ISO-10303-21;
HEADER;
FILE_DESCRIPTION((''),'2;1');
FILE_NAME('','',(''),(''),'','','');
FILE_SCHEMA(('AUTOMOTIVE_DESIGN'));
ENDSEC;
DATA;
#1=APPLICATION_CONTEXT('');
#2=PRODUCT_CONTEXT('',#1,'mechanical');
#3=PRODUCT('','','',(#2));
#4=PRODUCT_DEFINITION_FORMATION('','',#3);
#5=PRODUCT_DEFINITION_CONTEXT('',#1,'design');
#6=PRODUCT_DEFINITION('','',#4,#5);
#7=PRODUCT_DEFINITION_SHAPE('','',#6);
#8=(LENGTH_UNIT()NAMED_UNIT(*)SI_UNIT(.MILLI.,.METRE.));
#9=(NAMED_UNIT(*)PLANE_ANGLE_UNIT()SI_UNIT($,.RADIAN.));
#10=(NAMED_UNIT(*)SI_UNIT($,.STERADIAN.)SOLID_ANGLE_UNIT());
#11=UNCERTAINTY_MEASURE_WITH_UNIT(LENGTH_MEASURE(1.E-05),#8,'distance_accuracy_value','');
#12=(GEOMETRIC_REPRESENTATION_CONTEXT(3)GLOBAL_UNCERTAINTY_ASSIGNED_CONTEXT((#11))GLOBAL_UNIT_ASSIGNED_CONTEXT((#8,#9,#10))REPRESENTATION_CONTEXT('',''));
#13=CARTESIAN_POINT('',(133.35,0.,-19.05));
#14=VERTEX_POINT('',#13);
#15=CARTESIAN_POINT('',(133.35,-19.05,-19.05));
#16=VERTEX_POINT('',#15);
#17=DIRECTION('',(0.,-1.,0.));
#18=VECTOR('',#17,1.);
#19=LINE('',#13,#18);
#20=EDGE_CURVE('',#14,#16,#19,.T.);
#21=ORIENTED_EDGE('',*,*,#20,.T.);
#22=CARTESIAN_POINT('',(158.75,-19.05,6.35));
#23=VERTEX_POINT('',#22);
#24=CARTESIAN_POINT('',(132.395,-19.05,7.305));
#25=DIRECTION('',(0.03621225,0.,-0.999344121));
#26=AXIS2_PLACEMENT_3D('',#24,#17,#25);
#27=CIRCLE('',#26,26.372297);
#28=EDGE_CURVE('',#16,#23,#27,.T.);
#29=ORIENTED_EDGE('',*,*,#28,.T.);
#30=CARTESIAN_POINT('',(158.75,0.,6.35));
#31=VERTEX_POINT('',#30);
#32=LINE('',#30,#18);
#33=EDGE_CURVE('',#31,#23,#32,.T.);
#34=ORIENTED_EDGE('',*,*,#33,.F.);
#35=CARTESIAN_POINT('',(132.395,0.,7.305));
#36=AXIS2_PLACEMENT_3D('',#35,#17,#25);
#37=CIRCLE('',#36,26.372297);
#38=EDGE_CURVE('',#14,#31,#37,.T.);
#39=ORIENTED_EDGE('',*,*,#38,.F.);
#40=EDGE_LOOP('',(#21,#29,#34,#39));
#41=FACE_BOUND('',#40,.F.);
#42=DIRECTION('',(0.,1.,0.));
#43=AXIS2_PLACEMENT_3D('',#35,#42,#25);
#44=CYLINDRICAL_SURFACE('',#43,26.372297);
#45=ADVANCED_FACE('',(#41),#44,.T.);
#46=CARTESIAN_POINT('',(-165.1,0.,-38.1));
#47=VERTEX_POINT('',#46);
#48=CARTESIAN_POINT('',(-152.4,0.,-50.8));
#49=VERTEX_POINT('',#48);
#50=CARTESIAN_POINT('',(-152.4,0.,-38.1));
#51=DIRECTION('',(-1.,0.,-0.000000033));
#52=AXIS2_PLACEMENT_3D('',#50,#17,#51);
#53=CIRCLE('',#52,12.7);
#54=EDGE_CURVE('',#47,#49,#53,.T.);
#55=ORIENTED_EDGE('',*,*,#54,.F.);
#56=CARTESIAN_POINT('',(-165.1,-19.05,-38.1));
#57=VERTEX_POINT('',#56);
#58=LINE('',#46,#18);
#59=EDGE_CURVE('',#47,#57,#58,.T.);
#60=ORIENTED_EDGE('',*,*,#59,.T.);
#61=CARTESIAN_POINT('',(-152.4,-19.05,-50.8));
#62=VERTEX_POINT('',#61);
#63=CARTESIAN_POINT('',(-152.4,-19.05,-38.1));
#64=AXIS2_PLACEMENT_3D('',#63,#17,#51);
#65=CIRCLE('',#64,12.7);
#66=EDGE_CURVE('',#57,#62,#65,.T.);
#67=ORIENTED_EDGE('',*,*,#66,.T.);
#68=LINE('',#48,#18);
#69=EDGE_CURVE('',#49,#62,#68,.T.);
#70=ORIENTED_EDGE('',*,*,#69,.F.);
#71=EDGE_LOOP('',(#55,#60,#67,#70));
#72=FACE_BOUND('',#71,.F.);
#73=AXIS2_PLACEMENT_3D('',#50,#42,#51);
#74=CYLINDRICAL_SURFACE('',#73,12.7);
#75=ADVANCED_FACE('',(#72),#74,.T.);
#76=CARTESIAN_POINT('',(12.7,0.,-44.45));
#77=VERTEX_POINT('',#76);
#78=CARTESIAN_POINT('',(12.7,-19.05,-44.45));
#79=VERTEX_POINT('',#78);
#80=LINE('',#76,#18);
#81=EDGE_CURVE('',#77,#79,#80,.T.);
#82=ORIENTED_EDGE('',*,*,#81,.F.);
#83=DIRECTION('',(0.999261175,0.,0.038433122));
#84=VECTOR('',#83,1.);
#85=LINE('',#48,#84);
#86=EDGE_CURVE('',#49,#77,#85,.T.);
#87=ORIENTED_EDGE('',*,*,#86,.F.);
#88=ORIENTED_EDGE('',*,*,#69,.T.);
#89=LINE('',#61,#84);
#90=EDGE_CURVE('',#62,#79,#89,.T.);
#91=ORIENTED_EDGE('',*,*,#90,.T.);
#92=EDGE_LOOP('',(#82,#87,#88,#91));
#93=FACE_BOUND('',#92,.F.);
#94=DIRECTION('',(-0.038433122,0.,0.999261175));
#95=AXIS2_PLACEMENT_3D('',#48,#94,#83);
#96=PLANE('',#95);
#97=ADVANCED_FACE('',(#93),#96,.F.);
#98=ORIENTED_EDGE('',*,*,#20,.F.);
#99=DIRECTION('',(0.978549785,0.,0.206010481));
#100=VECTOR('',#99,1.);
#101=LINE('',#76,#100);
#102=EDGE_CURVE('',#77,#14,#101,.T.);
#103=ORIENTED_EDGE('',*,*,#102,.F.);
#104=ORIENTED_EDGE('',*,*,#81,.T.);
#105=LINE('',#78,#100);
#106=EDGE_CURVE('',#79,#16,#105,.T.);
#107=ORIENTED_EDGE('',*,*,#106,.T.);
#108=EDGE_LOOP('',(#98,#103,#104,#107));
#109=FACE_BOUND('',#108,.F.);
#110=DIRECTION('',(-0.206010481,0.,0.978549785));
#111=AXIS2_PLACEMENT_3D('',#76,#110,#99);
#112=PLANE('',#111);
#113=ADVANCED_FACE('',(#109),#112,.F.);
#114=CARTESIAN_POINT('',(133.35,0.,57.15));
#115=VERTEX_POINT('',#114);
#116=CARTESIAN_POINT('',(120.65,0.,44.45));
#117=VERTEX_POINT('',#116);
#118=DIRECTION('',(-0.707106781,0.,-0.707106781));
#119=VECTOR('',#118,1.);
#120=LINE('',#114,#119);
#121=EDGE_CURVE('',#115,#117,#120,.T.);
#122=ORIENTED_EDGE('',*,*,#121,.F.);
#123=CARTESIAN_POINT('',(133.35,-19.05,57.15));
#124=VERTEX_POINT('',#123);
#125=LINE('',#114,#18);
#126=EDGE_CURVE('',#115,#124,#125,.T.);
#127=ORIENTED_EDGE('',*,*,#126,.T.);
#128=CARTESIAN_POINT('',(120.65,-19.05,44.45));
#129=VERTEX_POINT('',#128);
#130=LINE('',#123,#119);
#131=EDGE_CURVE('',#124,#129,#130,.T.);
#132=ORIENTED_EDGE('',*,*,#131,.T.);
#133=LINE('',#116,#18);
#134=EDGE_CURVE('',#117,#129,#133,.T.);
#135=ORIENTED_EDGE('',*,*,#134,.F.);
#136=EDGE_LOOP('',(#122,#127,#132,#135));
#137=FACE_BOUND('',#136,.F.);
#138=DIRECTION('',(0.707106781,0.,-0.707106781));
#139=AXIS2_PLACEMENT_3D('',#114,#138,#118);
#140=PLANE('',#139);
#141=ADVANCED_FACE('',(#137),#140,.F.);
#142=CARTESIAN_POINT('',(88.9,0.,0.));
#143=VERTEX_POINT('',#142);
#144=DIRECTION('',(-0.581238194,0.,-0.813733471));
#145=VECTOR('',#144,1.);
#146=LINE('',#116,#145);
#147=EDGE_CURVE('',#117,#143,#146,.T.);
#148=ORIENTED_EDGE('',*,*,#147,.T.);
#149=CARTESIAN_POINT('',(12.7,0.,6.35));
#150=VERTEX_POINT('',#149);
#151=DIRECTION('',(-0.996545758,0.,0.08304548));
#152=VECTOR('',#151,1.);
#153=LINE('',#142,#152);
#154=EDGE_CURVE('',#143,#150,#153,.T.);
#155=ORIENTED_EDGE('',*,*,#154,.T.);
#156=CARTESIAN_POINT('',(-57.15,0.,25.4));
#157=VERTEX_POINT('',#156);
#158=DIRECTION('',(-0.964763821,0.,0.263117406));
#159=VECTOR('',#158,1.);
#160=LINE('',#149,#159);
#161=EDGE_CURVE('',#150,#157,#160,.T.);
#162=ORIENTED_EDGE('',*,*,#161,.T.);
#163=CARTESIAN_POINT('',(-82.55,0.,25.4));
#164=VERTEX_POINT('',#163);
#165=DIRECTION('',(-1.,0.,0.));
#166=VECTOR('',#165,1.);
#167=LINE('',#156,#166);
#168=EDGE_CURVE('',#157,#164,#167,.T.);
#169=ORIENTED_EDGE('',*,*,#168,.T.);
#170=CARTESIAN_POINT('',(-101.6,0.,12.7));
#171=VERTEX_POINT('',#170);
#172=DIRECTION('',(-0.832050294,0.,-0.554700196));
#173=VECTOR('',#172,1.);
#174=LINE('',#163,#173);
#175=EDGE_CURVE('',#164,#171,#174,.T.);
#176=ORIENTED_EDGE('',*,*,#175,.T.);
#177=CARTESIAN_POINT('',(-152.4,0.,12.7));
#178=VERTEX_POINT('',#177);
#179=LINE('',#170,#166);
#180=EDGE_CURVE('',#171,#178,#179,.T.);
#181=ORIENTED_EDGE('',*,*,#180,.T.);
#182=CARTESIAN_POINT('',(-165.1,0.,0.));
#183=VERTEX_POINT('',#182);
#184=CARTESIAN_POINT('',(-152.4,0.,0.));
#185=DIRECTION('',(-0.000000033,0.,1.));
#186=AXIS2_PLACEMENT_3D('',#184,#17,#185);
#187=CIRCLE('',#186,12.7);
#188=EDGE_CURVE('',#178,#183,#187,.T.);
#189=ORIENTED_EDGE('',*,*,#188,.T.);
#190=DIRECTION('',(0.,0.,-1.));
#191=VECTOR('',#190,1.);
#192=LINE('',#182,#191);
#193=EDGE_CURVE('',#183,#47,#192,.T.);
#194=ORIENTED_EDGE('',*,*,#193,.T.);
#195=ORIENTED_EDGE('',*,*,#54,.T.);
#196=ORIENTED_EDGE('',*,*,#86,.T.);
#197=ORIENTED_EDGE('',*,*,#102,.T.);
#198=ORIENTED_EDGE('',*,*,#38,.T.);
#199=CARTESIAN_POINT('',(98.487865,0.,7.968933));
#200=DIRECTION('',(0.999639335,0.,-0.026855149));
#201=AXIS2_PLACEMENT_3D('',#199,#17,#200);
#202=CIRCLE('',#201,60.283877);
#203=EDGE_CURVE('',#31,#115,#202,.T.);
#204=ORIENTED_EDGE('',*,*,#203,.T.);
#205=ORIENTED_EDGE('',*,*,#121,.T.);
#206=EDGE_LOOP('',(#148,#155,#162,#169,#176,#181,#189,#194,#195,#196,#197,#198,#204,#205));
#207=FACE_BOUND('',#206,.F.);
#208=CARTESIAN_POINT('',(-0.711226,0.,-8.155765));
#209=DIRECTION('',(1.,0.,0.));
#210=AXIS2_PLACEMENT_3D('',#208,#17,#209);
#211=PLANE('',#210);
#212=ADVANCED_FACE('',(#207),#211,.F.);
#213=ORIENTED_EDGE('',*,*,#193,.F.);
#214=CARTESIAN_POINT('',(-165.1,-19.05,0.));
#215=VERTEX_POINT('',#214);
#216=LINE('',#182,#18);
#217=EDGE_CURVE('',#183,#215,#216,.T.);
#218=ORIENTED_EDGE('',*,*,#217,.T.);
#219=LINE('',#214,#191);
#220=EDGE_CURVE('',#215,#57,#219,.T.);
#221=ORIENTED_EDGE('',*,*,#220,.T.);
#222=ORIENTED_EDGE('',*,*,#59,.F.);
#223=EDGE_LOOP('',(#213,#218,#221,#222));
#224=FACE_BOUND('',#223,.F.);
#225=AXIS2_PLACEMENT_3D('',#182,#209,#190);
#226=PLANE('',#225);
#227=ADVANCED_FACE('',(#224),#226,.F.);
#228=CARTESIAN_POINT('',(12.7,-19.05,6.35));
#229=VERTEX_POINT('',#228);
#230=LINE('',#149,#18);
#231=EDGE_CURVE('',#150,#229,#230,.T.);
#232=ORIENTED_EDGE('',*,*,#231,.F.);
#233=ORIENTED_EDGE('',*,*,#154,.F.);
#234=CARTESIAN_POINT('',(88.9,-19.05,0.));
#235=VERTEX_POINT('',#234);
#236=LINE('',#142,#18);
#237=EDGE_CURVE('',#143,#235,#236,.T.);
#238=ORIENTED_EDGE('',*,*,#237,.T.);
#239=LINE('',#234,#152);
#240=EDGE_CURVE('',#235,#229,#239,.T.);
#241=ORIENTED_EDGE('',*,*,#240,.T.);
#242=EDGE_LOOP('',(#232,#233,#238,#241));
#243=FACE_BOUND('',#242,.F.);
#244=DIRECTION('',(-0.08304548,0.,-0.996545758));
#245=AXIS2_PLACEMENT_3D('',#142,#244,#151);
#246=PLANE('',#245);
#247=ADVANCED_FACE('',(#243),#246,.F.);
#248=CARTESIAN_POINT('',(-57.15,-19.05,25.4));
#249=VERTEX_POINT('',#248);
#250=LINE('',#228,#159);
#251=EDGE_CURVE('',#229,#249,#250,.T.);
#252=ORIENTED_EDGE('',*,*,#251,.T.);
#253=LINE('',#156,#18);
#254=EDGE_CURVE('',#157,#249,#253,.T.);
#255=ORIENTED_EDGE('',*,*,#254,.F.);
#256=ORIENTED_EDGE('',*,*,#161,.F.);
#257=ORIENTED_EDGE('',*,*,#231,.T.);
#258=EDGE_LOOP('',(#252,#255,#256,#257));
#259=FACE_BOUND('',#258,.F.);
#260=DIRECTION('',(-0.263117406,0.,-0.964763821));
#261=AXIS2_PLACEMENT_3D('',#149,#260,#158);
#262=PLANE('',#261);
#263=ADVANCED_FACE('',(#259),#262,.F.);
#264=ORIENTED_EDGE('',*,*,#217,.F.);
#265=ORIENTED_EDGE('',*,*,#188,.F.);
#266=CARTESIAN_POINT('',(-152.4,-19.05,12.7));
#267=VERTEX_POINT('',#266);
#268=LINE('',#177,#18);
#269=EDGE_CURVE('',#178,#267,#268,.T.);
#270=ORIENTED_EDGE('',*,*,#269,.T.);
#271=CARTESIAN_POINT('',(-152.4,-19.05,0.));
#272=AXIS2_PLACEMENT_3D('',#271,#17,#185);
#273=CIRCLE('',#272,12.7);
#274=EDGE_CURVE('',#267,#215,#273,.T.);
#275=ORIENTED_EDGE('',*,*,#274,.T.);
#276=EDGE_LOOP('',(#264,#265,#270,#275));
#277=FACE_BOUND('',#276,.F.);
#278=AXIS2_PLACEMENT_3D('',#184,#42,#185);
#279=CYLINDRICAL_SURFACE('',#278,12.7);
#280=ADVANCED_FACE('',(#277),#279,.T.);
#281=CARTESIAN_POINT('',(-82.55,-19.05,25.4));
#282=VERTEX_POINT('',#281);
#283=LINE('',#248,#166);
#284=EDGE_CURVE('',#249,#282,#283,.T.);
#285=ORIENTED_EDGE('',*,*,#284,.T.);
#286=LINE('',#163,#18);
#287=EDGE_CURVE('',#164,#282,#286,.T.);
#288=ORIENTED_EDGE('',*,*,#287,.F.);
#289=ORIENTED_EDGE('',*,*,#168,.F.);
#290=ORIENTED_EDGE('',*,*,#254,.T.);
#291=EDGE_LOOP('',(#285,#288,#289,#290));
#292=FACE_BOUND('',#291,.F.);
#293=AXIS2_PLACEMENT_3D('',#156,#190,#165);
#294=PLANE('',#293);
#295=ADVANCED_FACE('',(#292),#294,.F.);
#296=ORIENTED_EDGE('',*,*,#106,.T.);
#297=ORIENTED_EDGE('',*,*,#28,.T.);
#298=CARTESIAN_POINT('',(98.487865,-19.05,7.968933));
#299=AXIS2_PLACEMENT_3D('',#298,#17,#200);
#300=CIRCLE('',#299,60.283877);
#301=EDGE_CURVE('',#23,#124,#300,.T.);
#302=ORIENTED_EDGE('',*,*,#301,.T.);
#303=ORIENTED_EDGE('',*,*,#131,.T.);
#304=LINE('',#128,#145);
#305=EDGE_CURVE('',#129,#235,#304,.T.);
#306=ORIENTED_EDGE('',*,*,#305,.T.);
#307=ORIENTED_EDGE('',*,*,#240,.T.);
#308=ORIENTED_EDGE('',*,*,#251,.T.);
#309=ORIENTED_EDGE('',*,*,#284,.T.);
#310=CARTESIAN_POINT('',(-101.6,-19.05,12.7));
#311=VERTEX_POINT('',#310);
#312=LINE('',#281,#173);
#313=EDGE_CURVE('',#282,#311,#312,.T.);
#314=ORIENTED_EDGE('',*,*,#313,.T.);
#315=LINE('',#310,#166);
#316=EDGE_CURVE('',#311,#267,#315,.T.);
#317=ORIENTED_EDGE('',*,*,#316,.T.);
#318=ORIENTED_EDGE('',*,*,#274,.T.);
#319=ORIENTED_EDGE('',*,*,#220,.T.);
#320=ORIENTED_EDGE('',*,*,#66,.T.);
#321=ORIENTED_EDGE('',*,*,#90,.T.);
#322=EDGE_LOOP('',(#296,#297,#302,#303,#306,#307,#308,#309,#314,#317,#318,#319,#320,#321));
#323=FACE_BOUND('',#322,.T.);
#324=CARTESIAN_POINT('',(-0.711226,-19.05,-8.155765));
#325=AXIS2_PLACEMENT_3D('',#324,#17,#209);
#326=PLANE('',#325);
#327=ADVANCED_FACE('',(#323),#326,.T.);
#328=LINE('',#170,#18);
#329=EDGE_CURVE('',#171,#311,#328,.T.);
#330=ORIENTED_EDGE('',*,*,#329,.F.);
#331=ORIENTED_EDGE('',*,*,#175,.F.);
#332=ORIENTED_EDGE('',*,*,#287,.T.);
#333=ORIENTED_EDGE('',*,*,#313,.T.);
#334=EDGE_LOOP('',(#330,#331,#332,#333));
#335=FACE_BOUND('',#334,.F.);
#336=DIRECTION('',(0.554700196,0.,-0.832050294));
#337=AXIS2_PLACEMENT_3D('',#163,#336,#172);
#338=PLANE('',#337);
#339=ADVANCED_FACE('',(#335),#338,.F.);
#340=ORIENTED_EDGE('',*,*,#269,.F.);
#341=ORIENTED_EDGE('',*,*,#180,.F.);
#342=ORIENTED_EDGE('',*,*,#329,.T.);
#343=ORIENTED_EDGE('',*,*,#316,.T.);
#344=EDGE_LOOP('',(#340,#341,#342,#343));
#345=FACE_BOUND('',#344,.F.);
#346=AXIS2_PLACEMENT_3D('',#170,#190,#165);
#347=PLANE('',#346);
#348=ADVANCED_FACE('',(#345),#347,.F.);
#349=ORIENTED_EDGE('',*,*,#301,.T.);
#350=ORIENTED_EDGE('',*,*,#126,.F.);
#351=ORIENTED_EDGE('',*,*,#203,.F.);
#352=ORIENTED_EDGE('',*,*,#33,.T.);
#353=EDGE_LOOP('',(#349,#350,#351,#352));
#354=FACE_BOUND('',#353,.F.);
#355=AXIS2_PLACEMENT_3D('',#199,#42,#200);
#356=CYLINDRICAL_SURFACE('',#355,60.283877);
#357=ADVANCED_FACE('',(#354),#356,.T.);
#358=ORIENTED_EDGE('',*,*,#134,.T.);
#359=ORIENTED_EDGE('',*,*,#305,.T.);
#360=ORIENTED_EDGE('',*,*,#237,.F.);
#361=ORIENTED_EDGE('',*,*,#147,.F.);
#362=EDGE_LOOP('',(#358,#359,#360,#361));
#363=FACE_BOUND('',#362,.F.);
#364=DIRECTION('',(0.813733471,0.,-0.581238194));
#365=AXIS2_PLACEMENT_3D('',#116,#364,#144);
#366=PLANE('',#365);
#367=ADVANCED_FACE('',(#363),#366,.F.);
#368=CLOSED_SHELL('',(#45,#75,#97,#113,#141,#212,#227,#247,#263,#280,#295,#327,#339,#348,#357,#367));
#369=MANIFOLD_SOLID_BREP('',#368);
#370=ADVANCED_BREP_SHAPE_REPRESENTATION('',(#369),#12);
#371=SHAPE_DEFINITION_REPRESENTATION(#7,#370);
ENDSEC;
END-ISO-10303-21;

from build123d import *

# Parameters (mm, degrees)
F1_DEPTH = 19.05


with BuildPart() as f1:
    # F0 (on Front) → F1 (new body)
    with BuildSketch(Plane.XZ):
        with BuildLine():
            Line((-165.1, 0), (-165.1, -38.1))
            ThreePointArc((-165.1, -38.1), (-161.380256, -47.080256), (-152.4, -50.8))
            Line((-152.4, -50.8), (12.7, -44.45))
            Line((12.7, -44.45), (133.35, -19.05))
            ThreePointArc((133.35, -19.05), (151.04303, -11.34303), (158.75, 6.35))
            ThreePointArc((158.75, 6.35), (152.407404, 34.928702), (133.35, 57.15))
            Line((133.35, 57.15), (120.65, 44.45))
            Line((120.65, 44.45), (88.9, 0))
            Line((88.9, 0), (12.7, 6.35))
            Line((12.7, 6.35), (-57.15, 25.4))
            Line((-57.15, 25.4), (-82.55, 25.4))
            Line((-82.55, 25.4), (-101.6, 12.7))
            Line((-101.6, 12.7), (-152.4, 12.7))
            ThreePointArc((-152.4, 12.7), (-161.380256, 8.980256), (-165.1, 0))
        make_face()
    extrude(amount=F1_DEPTH)


solid = f1.part
